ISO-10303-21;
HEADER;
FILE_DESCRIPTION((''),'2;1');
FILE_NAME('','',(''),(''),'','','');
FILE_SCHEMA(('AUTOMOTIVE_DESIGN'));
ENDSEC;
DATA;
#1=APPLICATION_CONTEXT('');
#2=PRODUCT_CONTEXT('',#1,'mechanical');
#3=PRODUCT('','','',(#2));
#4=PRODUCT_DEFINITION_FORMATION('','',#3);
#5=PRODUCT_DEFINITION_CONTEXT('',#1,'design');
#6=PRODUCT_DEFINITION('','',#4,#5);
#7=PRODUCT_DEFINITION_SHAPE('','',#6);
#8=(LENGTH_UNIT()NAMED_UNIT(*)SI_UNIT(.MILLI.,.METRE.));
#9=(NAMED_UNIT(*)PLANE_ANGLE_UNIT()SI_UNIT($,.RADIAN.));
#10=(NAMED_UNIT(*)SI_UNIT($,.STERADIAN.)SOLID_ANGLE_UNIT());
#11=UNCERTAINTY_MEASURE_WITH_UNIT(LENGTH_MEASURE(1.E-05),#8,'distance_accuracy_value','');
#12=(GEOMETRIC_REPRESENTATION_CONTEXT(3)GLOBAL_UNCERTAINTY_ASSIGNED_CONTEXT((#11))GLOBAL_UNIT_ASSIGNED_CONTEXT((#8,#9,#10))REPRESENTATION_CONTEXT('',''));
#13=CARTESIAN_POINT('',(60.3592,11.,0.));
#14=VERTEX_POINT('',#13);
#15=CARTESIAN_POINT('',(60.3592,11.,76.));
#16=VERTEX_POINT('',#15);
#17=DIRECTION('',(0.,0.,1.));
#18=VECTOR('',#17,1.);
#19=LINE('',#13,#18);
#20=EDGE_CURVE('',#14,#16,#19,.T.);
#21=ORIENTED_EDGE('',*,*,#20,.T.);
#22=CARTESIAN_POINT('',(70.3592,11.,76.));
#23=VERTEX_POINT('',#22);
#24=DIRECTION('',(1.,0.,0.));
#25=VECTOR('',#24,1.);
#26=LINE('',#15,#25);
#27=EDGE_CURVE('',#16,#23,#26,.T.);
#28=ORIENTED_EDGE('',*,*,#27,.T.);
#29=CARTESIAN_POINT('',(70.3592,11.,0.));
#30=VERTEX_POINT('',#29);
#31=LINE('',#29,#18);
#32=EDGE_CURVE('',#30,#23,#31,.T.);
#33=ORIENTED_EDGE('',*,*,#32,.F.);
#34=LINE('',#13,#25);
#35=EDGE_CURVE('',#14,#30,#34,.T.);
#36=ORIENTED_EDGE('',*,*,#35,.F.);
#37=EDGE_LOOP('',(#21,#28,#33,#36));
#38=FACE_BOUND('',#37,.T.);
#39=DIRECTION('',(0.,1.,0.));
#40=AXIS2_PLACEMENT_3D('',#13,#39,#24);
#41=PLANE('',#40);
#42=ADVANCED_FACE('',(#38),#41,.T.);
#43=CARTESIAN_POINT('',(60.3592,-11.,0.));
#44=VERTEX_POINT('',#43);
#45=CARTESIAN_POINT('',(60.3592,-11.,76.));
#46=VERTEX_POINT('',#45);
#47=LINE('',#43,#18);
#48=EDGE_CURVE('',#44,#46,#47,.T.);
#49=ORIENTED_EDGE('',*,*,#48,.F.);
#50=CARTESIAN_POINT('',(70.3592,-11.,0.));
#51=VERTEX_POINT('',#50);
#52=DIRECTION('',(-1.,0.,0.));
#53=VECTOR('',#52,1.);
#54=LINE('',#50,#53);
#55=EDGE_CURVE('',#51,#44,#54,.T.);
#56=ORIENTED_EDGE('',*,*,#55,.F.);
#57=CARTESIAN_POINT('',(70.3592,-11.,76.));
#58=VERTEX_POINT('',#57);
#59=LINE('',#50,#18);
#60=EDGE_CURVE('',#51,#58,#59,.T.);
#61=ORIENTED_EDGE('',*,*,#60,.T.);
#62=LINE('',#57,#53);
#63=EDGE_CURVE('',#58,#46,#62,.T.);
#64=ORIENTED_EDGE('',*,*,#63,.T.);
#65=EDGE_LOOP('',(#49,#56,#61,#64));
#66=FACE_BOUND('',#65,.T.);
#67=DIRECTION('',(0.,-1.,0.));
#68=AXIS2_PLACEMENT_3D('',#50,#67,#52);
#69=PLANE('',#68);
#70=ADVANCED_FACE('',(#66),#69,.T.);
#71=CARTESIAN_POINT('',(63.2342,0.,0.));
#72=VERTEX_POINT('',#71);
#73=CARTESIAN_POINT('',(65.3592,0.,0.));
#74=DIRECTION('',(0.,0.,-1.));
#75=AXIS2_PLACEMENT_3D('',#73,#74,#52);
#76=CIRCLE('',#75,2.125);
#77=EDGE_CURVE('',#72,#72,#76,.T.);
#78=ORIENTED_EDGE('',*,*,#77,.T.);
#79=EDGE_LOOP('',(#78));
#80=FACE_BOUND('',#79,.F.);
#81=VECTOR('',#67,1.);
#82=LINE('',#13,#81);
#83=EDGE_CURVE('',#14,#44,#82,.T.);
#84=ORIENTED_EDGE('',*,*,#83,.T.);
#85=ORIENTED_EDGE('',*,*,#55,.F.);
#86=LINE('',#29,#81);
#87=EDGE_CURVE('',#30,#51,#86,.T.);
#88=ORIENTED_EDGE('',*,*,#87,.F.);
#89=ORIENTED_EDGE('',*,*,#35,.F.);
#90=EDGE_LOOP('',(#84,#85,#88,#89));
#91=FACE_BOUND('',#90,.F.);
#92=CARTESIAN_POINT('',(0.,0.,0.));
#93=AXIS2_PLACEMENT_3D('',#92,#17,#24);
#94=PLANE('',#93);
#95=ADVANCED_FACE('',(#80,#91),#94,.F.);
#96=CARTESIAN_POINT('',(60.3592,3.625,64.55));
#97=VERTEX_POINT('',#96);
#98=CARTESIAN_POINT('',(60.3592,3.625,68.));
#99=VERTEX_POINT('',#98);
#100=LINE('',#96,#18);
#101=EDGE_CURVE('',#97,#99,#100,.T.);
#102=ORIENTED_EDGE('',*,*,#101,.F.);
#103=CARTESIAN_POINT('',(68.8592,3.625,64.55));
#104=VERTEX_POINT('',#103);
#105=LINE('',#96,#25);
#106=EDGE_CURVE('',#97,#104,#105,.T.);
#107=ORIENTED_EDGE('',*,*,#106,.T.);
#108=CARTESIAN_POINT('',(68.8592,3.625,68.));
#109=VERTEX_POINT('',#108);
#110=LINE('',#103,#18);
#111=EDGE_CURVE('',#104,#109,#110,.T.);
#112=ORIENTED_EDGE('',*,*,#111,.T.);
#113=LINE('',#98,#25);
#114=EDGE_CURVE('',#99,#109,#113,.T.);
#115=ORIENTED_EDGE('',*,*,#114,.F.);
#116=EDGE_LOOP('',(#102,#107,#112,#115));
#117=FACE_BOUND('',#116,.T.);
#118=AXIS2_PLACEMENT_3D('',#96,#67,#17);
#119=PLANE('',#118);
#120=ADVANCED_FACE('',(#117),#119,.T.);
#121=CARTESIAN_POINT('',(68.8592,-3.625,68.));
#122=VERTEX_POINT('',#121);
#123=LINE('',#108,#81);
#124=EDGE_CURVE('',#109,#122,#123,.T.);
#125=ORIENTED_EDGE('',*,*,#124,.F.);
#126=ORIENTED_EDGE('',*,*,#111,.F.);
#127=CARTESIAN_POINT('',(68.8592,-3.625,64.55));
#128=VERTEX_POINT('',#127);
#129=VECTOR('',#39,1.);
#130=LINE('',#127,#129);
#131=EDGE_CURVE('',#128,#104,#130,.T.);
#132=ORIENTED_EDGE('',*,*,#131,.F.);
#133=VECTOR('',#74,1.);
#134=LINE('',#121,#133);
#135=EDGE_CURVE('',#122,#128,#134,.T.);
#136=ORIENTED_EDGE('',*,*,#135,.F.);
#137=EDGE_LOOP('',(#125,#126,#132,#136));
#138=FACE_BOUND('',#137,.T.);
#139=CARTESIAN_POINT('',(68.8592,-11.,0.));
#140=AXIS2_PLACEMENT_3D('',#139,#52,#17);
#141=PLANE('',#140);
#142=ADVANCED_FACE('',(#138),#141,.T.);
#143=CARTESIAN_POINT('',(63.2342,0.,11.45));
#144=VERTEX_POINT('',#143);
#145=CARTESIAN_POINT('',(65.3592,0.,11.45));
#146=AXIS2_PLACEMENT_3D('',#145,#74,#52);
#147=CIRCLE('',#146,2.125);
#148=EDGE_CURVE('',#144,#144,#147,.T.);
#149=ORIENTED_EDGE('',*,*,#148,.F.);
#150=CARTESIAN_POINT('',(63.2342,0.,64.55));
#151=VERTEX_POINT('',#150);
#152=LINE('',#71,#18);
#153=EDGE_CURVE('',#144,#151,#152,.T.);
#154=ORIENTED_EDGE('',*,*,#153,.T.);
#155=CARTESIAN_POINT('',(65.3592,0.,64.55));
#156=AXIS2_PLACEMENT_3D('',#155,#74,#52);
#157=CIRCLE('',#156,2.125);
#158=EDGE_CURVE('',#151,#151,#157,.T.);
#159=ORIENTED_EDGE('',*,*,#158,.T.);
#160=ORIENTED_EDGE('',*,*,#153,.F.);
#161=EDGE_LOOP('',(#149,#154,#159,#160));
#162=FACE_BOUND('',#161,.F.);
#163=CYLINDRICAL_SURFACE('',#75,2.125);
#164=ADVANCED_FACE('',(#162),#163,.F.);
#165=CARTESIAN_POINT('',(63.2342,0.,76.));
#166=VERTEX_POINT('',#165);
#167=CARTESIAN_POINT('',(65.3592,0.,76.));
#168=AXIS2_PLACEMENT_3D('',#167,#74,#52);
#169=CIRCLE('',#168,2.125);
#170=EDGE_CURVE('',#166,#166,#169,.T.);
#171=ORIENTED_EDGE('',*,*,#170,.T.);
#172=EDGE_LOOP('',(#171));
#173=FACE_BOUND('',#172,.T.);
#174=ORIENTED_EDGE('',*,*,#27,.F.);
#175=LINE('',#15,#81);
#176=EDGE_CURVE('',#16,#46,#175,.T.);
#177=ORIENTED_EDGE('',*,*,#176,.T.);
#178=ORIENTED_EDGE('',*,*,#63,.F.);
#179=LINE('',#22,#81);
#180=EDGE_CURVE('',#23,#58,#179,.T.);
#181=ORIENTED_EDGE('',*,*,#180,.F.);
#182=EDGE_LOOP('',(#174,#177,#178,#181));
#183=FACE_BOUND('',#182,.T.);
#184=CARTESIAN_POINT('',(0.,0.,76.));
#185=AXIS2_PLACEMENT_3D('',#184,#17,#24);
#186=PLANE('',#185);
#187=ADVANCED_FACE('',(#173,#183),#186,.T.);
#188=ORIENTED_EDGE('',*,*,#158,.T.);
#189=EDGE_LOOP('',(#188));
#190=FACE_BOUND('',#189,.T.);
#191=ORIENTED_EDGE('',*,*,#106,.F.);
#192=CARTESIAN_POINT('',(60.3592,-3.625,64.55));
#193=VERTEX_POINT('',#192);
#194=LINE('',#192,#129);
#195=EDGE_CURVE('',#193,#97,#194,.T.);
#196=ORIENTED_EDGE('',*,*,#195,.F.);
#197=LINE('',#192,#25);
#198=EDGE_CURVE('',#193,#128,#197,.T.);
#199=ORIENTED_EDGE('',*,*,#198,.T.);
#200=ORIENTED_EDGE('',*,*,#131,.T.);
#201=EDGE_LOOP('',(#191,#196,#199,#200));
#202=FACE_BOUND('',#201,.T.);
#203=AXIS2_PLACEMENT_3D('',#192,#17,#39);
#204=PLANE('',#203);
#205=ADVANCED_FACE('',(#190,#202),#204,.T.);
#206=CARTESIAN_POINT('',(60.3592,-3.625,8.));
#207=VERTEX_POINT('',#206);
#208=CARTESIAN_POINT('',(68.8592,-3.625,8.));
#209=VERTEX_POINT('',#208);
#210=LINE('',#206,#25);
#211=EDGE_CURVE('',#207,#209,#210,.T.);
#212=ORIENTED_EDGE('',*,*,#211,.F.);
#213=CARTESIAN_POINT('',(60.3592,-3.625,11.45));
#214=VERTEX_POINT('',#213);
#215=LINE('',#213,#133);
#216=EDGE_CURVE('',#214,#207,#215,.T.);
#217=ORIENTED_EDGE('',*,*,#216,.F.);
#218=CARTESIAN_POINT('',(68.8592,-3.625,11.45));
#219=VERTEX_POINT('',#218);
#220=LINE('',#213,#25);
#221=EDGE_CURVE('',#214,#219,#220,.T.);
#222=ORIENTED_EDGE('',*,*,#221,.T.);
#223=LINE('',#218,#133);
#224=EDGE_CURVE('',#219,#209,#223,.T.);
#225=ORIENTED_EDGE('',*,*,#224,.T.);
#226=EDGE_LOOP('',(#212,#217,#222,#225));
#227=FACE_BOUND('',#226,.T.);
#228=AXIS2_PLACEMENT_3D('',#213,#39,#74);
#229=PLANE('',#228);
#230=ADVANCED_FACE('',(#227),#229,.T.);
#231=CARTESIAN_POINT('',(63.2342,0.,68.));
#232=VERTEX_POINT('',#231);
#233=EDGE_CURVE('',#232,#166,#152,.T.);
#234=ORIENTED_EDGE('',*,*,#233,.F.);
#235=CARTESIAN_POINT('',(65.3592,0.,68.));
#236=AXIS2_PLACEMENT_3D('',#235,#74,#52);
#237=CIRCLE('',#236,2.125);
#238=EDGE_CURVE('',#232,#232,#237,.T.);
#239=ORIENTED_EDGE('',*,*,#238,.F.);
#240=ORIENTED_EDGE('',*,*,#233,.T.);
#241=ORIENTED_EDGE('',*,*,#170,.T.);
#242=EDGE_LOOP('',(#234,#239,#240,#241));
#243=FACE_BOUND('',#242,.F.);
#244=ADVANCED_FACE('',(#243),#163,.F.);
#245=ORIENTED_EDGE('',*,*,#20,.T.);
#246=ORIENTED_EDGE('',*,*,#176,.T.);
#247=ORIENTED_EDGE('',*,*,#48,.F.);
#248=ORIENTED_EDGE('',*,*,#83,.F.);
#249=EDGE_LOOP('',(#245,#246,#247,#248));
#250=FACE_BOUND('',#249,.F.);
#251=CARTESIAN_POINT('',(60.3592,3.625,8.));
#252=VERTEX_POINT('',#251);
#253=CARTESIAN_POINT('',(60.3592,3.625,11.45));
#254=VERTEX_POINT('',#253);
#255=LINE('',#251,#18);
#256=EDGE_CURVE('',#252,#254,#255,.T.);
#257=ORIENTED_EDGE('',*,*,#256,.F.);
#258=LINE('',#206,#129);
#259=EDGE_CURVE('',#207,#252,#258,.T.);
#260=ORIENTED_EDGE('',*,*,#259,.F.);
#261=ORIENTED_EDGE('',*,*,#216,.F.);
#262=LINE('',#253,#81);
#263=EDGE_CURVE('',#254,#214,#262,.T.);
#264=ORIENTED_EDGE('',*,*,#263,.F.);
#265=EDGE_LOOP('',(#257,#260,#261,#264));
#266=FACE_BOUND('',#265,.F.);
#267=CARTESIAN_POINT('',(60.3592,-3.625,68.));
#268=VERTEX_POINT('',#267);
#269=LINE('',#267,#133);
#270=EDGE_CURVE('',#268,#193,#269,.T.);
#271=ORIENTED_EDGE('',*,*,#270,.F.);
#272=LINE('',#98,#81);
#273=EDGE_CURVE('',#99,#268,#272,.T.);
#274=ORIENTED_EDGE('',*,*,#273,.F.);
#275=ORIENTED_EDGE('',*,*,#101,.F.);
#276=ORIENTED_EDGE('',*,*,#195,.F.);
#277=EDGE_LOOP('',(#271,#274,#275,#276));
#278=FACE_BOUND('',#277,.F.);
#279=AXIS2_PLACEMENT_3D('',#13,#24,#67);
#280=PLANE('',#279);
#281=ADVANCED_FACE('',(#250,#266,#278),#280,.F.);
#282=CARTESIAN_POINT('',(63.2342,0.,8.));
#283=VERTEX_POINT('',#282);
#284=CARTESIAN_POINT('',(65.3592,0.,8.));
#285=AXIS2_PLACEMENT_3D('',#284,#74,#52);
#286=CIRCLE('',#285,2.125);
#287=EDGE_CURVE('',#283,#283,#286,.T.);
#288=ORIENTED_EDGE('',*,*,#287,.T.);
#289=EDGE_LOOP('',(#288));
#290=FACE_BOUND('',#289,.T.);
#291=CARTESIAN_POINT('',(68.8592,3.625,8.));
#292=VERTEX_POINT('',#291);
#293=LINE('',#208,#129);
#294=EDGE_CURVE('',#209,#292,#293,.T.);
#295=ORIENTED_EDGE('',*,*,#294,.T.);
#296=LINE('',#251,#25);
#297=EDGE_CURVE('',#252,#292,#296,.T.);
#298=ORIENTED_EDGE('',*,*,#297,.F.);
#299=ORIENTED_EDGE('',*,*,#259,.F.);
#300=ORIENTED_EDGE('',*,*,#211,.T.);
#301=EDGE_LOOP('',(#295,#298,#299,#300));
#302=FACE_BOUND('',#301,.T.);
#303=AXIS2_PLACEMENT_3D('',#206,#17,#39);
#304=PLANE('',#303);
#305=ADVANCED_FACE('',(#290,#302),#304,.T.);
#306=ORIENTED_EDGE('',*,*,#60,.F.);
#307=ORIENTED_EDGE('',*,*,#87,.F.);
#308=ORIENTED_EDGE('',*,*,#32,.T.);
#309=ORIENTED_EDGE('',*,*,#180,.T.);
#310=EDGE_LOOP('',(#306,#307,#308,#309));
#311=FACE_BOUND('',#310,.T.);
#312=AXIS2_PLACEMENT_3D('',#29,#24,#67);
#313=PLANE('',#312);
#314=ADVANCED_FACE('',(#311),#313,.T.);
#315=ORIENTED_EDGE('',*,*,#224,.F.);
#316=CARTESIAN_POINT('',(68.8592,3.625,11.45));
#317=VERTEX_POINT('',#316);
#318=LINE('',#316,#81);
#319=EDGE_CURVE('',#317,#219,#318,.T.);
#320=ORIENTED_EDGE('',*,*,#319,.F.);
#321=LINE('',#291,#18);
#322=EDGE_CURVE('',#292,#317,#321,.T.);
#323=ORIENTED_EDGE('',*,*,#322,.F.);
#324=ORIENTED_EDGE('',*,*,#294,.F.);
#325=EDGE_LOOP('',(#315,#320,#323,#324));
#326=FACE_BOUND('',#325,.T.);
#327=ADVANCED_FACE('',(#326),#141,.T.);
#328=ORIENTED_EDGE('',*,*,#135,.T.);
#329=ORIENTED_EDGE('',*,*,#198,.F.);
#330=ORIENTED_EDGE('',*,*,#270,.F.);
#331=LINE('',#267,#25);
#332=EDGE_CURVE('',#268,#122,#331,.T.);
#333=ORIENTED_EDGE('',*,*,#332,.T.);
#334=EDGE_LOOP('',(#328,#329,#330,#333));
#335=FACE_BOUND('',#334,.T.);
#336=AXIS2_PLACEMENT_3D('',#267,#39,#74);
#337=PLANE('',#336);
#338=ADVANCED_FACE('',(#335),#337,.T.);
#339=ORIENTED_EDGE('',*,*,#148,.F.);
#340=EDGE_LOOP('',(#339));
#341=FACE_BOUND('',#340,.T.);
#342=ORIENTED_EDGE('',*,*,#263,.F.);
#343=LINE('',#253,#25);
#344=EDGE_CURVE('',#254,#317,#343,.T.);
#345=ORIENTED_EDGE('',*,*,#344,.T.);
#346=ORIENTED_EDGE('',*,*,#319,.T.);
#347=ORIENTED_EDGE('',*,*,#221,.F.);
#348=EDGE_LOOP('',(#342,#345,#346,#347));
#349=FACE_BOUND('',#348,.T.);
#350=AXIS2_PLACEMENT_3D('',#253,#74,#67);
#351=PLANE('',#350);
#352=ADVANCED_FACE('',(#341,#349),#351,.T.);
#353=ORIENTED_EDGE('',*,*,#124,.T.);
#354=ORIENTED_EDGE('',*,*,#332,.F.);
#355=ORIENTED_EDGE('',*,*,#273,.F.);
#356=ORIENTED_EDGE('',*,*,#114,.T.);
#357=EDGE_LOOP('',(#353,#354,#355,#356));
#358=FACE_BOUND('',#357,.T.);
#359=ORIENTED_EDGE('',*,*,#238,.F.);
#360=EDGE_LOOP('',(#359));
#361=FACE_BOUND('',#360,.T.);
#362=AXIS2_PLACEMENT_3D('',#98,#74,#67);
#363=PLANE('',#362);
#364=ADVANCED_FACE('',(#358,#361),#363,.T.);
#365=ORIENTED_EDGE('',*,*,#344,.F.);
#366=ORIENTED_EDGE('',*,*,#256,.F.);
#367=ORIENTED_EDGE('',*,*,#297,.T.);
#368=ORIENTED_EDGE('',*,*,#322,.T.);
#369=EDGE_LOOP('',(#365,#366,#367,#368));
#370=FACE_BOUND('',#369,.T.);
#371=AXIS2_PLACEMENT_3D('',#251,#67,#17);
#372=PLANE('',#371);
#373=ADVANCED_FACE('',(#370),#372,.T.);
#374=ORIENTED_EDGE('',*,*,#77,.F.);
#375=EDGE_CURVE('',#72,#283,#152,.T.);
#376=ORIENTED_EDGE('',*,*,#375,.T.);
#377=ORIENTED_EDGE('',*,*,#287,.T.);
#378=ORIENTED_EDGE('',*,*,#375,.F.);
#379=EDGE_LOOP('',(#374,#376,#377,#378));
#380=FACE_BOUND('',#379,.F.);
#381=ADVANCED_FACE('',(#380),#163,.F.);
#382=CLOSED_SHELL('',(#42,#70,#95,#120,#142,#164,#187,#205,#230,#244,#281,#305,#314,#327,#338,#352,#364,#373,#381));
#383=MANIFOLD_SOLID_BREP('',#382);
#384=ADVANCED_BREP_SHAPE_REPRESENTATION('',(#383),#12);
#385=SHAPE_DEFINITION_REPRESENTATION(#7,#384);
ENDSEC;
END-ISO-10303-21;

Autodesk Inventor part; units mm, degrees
ref_plane "YZ Plane" through (0, 0, 0) normal (1, 0, 0) x (0, 1, 0)
ref_plane "XZ Plane" through (0, 0, 0) normal (0, 1, 0) x (-1, 0, 0)
ref_plane "XY Plane" through (0, 0, 0) normal (0, 0, 1) x (1, 0, 0)
ref_plane "Płaszczyzna konstrukcyjna1" through (0, 0, 0) normal (0, 0, 1) x (1, 0, 0)
sketch "Szkic1" plane through (0, 0, 0) normal (0, 0, 1) x (1, 0, 0)
  line L0 (60.3592, 11) -> (60.3592, -11) projected
  line L1 (70.3592, 11) -> (70.3592, -11) projected
  line L2 (70.3592, -11) -> (60.3592, -11)
  line L3 (60.3592, -11) -> (60.3592, 11)
  line L4 (60.3592, 11) -> (70.3592, 11)
  line L5 (70.3592, 11) -> (70.3592, -11)
  point P0 (0, 0)
extrude "Wyciągnięcie proste1" add sketch "Szkic1" along normal blind 76
sketch "Szkic2" plane through (0, 0, 0) normal (0, 0, -1) x (-1, 0, 0)
  circle A0 centre (-65.3592, 0) radius 2.125
  line L0 (-70.3592, 11) -> (-60.3592, 11) construction
  line L1 (-65.3592, 0) -> (-70.3592, 11) construction
  line L2 (-60.3592, 11) -> (-65.3592, 0) construction
  line L3 (-60.3592, 11) -> (-60.3592, -11) construction
  line L4 (-65.3592, 0) -> (-60.3592, -11) construction
  point P0 (0, 0)
  dimension "d13" = 4.25
extrude "Wyciągnięcie proste3" cut sketch "Szkic2" against normal through all
sketch "Szkic4" plane through (60.3592, -11, 0) normal (-1, 0, 0) x (0, 0, 1)
  line L0 (0, 22) -> (0, 0) projected
  line L1 (0, 0) -> (76, 0) projected
  line L2 (76, 22) -> (76, 0) projected
  line L3 (0, 22) -> (76, 22) projected
  line L4 (68, 7.375) -> (64.55, 7.375)
  line L5 (64.55, 7.375) -> (64.55, 14.625)
  line L6 (64.55, 14.625) -> (68, 14.625)
  line L7 (68, 14.625) -> (68, 7.375)
  line L8 (11.45, 7.375) -> (8, 7.375)
  line L9 (8, 7.375) -> (8, 14.625)
  line L10 (8, 14.625) -> (11.45, 14.625)
  line L11 (11.45, 14.625) -> (11.45, 7.375)
  line L12 (0, 0) -> (76, 0) projected
  line L13 (76, 0) -> (68, 7.375) construction
  line L14 (68, 14.625) -> (76, 22) construction
  point P0 (0, 11)
  dimension "d14" = 7.25
  dimension "d15" = 3.45
  dimension "d16" = 3.45
  dimension "d17" = 8
  dimension "d18" = 8
extrude "Wyciągnięcie proste4" cut sketch "Szkic4" against normal blind 8.5 contours L4 L5 L6 L7 | L8 L9 L10 L11
sketch "Szkic3" plane through (70.3592, -11, 0) normal (1, 0, 0) x (0, 0, -1)
  line L0 (-66, 15) -> (-62.5, 15)
  line L1 (-62.5, 15) -> (-62.5, 7)
  line L2 (-62.5, 7) -> (-66, 7)
  line L3 (-66, 7) -> (-66, 15)
  line L4 (-13.5, 15) -> (-10, 15)
  line L5 (-10, 15) -> (-10, 7)
  line L6 (-10, 7) -> (-13.5, 7)
  line L7 (-13.5, 7) -> (-13.5, 15)
  line L8 (0, 22) -> (-76, 22) projected
  line L9 (0, 0) -> (-76, 0) projected
  line L10 (-76, 0) -> (-76, 22) projected
  line L11 (0, 0) -> (0, 22) projected
  line L12 (-66, 22) -> (-66, 15) construction
  line L13 (-66, 0) -> (-66, 7) construction
  point P0 (0, 11)
  dimension "d2" = 10
  dimension "d3" = 10
  dimension "d4" = 3.5
  dimension "d6" = 8
  dimension "d7" = 3.5
equation "\"d16\" = d15"
equation "\"d18\" = d17"
equation "\"d3\" = d2"
equation "\"d7\" = d4"
properties part number "coupler"
